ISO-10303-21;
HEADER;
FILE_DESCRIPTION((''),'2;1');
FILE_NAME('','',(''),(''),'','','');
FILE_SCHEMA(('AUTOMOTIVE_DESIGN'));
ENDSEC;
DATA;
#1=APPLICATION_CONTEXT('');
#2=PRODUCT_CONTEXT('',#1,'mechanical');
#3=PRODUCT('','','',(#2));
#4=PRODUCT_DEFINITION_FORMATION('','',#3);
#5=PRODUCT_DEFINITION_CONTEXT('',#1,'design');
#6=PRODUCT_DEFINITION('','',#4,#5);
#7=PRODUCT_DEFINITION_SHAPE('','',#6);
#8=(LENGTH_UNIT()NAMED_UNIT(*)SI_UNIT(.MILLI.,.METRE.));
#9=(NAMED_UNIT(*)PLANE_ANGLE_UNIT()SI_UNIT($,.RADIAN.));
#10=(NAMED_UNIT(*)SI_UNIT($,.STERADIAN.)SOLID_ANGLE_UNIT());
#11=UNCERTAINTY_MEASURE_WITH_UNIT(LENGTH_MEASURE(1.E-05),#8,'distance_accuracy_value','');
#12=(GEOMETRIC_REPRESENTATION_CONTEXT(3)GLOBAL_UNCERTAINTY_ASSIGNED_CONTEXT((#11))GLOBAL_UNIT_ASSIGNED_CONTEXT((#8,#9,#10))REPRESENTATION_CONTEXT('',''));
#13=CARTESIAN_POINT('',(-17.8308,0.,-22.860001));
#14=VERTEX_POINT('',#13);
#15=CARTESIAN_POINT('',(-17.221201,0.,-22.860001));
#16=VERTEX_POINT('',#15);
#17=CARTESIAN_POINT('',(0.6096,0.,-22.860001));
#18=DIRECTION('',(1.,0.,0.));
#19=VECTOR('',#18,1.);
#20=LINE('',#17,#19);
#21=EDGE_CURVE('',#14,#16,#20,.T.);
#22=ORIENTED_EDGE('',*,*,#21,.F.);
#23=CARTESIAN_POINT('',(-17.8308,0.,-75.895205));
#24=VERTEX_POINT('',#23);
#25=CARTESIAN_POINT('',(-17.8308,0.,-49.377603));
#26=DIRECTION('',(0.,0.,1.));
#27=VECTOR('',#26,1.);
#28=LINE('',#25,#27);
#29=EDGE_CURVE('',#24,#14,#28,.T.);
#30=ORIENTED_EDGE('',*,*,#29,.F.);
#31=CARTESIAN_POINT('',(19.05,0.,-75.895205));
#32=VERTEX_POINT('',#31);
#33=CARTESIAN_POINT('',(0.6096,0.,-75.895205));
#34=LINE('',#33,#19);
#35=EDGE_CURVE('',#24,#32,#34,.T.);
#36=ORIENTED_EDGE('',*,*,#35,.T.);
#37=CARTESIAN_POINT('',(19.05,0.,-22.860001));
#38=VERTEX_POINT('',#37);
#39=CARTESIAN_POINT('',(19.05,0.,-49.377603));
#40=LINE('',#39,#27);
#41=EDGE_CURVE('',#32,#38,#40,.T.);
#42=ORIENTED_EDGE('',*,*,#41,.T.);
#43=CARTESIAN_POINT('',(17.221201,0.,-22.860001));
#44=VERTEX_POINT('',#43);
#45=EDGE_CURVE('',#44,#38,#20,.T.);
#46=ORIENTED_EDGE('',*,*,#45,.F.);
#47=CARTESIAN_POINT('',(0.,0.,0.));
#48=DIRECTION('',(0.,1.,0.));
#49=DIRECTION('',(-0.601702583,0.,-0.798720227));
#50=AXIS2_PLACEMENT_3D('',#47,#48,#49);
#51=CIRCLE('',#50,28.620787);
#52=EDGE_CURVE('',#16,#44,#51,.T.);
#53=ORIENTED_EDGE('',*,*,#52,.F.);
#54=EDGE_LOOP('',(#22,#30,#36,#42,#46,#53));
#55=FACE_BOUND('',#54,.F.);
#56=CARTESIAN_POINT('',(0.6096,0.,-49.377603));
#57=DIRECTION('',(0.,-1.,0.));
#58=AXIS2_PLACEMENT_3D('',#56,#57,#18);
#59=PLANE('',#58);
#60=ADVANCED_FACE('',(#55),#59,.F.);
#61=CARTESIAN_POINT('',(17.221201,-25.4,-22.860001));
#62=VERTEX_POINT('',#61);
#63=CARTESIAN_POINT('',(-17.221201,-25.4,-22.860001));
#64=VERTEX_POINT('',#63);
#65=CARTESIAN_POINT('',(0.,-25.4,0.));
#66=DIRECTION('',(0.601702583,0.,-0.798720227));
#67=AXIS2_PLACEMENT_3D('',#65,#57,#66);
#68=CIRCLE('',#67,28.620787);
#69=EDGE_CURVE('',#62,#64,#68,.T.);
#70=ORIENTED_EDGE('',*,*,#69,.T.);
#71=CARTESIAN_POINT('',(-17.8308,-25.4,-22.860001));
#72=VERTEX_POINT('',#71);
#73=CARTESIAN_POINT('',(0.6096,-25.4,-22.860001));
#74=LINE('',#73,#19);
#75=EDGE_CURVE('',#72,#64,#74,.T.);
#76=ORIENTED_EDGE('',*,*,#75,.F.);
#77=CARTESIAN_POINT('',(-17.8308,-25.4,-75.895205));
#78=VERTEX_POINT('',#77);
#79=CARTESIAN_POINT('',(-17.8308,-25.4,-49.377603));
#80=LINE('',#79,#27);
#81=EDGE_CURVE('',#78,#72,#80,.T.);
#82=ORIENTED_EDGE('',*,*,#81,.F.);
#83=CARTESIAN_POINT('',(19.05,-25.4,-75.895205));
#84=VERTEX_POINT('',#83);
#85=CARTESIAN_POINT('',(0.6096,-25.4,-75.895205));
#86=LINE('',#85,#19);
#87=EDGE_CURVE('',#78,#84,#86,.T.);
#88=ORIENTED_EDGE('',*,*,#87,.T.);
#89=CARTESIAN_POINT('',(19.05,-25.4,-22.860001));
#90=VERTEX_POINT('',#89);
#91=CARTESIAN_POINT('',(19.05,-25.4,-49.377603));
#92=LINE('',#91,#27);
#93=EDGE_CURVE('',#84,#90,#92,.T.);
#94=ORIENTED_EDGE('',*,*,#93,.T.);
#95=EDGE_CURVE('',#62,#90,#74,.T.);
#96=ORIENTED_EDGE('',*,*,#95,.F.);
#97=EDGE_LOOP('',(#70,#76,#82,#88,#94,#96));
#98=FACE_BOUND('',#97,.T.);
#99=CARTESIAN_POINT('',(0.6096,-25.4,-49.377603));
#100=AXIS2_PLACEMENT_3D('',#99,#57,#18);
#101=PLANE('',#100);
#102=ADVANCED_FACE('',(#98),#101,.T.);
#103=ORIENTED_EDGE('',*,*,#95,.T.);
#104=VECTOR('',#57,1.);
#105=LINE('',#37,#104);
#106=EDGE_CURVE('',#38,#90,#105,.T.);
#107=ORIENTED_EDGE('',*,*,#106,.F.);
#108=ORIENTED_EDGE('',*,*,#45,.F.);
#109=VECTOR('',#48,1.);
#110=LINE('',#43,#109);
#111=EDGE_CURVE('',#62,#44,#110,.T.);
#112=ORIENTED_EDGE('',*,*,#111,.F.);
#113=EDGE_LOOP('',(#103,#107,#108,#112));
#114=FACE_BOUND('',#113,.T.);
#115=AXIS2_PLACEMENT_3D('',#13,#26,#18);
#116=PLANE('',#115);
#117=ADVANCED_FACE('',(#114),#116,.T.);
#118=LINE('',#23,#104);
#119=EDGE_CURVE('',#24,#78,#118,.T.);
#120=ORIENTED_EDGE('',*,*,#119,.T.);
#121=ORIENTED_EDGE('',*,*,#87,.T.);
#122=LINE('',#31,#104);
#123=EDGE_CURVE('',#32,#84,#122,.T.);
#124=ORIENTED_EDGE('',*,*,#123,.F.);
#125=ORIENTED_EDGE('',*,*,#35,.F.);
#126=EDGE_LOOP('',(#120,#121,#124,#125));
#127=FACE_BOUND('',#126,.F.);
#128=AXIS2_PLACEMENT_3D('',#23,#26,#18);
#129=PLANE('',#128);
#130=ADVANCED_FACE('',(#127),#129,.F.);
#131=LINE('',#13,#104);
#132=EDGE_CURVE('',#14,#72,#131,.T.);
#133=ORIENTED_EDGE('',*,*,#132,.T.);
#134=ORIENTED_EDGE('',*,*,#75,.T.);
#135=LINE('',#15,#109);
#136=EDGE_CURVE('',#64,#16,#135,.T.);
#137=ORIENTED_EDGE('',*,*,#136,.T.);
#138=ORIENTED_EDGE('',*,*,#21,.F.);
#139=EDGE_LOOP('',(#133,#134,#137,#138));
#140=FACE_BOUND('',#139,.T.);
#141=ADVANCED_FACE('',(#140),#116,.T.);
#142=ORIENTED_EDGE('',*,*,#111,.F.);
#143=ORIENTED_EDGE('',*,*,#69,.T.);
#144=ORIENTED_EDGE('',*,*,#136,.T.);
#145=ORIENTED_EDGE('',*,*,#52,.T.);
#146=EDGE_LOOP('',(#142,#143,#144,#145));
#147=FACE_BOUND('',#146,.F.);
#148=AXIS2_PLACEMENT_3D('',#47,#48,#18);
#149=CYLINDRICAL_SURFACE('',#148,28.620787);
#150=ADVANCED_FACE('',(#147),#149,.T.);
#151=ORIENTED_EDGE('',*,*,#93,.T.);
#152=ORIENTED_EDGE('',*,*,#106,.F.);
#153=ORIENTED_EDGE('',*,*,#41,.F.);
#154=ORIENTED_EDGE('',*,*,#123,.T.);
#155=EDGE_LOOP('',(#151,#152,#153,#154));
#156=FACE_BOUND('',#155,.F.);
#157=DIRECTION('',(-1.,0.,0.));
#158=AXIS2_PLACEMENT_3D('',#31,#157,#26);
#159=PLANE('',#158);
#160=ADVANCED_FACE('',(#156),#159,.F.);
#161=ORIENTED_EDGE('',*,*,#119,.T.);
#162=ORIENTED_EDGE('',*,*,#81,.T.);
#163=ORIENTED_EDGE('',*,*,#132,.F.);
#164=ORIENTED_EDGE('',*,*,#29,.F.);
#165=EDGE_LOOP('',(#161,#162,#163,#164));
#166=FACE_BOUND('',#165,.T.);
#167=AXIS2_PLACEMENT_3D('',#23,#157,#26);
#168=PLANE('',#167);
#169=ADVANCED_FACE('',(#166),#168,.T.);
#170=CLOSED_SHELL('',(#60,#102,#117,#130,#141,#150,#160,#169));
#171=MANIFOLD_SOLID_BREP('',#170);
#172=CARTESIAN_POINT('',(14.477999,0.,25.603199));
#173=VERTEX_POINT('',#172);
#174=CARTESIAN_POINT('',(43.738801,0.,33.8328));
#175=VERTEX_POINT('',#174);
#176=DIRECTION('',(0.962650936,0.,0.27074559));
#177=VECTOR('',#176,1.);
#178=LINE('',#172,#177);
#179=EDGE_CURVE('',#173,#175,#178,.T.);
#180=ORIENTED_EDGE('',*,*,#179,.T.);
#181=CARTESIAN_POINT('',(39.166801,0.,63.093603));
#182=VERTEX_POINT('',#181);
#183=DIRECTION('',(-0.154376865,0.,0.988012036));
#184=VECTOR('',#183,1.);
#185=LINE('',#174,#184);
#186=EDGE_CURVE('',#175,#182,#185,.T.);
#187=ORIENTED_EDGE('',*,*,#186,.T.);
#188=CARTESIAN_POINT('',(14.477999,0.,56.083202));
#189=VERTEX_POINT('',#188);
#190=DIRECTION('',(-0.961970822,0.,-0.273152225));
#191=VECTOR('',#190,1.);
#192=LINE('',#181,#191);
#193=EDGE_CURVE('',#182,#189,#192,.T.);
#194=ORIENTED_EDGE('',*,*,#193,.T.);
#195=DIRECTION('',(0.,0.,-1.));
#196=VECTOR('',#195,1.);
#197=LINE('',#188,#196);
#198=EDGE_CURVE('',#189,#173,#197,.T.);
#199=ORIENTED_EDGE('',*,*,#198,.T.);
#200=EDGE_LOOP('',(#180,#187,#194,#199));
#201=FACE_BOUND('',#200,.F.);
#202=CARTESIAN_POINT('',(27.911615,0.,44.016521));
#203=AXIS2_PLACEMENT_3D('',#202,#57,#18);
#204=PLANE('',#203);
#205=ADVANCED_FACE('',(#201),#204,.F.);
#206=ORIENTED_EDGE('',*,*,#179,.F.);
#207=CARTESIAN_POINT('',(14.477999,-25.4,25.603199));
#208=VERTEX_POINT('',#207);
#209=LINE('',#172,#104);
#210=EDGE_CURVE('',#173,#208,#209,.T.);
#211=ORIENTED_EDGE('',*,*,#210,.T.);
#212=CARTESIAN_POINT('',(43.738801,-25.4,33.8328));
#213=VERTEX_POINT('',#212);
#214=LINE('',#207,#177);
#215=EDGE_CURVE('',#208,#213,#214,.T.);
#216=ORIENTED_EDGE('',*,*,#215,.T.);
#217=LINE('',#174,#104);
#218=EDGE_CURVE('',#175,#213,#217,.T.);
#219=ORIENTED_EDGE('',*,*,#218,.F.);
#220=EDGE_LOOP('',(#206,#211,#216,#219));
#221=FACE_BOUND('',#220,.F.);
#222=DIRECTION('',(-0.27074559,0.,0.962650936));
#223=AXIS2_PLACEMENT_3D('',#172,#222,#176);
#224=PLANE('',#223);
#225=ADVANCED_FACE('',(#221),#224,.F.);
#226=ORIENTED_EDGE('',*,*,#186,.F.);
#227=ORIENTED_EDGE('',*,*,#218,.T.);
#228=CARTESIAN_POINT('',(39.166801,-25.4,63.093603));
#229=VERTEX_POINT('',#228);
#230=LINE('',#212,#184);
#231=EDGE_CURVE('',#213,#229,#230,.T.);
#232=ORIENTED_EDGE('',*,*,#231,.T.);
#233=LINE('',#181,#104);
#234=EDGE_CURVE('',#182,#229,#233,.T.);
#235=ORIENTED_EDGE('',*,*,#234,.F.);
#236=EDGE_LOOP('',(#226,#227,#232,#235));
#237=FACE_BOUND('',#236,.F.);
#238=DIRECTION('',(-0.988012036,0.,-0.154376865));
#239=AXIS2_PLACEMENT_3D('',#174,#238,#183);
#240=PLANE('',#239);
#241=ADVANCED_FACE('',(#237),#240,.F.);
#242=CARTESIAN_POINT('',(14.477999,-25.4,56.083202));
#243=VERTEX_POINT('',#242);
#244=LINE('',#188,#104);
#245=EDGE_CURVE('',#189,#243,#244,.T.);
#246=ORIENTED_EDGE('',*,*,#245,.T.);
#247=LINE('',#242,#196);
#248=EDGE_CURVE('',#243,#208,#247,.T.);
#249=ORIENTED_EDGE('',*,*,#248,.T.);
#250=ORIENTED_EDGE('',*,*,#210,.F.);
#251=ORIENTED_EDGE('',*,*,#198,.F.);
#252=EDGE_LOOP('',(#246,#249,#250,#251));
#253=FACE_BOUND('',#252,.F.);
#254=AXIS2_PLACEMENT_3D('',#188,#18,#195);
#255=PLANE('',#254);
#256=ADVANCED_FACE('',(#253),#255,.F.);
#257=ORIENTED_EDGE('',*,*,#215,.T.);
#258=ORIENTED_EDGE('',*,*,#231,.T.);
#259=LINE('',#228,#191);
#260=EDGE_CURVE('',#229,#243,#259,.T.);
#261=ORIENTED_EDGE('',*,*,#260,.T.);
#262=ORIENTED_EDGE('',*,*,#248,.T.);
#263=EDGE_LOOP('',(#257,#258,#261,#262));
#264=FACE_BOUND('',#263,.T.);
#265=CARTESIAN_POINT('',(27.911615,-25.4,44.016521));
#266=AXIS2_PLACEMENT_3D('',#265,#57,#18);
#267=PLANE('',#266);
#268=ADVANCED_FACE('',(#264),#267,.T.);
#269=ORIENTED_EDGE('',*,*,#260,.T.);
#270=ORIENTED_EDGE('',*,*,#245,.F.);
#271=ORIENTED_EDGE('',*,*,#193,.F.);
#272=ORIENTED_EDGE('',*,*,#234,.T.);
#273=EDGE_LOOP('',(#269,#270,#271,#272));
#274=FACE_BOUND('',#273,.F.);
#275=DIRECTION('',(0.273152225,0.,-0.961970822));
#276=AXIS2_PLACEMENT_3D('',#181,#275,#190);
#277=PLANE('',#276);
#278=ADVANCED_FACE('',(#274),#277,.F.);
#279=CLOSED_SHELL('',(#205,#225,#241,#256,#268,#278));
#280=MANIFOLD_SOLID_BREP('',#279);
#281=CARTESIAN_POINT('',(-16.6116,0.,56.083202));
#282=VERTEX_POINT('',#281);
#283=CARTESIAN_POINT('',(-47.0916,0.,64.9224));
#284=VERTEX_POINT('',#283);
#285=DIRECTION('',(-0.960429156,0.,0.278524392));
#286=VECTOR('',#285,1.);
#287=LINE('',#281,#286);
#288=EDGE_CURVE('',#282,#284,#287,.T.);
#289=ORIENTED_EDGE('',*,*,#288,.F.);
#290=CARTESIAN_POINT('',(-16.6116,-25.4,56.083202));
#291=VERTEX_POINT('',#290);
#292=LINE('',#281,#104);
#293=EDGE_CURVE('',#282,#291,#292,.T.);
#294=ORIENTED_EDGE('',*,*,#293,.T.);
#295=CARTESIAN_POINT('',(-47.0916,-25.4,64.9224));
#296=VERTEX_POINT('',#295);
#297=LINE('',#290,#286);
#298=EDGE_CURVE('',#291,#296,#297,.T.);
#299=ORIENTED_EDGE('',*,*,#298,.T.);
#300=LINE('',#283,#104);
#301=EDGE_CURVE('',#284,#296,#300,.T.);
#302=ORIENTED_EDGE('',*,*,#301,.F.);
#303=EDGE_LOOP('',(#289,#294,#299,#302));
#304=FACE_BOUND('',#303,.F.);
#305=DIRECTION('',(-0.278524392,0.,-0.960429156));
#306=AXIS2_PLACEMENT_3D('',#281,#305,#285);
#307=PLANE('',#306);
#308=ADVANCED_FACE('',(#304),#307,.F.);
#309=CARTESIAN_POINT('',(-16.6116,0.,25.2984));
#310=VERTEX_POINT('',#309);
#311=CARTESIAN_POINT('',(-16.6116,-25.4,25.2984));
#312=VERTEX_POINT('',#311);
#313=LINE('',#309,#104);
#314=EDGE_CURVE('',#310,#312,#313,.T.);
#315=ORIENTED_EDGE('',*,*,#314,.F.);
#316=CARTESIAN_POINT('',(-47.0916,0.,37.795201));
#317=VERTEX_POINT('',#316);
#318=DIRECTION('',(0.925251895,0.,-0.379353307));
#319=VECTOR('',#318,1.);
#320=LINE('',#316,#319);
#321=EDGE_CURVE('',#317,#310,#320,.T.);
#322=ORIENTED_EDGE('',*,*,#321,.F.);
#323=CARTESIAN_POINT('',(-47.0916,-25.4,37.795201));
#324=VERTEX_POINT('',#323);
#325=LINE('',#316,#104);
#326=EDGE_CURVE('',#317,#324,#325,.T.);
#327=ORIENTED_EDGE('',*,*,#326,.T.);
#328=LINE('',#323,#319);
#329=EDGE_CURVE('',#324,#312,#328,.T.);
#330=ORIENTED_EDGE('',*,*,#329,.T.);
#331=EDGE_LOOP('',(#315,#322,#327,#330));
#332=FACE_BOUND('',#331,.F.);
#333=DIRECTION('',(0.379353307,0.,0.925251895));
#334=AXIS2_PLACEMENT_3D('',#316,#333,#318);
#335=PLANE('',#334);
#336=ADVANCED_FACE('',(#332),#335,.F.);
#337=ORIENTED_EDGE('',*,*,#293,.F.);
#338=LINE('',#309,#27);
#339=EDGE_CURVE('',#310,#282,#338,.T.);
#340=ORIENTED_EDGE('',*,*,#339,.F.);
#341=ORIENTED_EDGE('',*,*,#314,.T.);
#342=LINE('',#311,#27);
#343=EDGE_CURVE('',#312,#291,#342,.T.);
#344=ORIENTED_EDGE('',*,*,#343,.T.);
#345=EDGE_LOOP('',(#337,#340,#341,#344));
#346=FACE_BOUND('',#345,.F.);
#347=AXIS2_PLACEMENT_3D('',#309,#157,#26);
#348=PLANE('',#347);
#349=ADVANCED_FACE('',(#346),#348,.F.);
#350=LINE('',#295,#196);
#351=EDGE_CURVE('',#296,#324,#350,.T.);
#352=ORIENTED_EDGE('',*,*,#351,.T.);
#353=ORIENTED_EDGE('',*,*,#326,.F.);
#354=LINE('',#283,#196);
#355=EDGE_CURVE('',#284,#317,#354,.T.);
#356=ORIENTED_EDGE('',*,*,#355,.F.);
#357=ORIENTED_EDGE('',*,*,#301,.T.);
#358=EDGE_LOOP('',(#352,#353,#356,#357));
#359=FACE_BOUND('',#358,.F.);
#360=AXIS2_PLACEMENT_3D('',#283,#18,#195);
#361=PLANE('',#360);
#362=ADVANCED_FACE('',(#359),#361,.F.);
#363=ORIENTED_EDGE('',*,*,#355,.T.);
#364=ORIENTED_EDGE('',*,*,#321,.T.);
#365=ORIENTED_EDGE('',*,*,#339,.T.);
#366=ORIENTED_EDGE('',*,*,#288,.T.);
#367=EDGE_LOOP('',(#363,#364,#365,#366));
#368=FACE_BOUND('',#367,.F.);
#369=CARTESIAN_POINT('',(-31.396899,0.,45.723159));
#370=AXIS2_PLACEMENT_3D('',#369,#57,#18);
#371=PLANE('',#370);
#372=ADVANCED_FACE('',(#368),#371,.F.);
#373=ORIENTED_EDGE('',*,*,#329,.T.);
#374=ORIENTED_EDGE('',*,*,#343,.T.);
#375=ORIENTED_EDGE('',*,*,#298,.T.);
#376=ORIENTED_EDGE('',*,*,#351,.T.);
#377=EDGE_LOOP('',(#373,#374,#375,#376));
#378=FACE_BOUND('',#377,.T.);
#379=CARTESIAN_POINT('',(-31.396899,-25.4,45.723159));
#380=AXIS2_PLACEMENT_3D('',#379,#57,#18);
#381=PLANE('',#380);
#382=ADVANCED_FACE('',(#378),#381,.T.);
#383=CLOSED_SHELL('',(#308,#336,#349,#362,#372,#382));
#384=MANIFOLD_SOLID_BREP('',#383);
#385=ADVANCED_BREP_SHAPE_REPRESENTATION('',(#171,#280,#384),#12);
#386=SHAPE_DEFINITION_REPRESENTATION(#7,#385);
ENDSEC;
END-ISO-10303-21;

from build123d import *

# Parameters (mm, degrees)
F0_R     = 28.620787
F1_DEPTH = 25.4
F3_DEPTH = 25.4
F5_DEPTH = 25.4
F6_W     = 36.8808
F6_H     = 53.035203
F7_DEPTH = 25.4


with BuildPart() as f1:
    # F0 (on Front) → F1 (new body)
    with BuildSketch(Plane.XZ):
        Circle(F0_R)
    extrude(amount=F1_DEPTH)

    # F6 (on Front) → F7 (join)
    with BuildSketch(Plane.XZ):
        with Locations((0.6096, -49.377603)):
            Rectangle(F6_W, F6_H)
    extrude(amount=F7_DEPTH)


with BuildPart() as f3:
    # F2 (on Front) → F3 (new body)
    with BuildSketch(Plane.XZ):
        Polygon((-47.0916, 37.795201), (-16.6116, 25.2984), (-16.6116, 56.083202), (-47.0916, 64.9224), align=None)
    extrude(amount=F3_DEPTH)


with BuildPart() as f5:
    # F4 (on Front) → F5 (new body)
    with BuildSketch(Plane.XZ):
        Polygon((14.477999, 56.083202), (14.477999, 25.603199), (43.738801, 33.8328), (39.166801, 63.093603), align=None)
    extrude(amount=F5_DEPTH)


solid = Compound([f1.part, f3.part, f5.part])
